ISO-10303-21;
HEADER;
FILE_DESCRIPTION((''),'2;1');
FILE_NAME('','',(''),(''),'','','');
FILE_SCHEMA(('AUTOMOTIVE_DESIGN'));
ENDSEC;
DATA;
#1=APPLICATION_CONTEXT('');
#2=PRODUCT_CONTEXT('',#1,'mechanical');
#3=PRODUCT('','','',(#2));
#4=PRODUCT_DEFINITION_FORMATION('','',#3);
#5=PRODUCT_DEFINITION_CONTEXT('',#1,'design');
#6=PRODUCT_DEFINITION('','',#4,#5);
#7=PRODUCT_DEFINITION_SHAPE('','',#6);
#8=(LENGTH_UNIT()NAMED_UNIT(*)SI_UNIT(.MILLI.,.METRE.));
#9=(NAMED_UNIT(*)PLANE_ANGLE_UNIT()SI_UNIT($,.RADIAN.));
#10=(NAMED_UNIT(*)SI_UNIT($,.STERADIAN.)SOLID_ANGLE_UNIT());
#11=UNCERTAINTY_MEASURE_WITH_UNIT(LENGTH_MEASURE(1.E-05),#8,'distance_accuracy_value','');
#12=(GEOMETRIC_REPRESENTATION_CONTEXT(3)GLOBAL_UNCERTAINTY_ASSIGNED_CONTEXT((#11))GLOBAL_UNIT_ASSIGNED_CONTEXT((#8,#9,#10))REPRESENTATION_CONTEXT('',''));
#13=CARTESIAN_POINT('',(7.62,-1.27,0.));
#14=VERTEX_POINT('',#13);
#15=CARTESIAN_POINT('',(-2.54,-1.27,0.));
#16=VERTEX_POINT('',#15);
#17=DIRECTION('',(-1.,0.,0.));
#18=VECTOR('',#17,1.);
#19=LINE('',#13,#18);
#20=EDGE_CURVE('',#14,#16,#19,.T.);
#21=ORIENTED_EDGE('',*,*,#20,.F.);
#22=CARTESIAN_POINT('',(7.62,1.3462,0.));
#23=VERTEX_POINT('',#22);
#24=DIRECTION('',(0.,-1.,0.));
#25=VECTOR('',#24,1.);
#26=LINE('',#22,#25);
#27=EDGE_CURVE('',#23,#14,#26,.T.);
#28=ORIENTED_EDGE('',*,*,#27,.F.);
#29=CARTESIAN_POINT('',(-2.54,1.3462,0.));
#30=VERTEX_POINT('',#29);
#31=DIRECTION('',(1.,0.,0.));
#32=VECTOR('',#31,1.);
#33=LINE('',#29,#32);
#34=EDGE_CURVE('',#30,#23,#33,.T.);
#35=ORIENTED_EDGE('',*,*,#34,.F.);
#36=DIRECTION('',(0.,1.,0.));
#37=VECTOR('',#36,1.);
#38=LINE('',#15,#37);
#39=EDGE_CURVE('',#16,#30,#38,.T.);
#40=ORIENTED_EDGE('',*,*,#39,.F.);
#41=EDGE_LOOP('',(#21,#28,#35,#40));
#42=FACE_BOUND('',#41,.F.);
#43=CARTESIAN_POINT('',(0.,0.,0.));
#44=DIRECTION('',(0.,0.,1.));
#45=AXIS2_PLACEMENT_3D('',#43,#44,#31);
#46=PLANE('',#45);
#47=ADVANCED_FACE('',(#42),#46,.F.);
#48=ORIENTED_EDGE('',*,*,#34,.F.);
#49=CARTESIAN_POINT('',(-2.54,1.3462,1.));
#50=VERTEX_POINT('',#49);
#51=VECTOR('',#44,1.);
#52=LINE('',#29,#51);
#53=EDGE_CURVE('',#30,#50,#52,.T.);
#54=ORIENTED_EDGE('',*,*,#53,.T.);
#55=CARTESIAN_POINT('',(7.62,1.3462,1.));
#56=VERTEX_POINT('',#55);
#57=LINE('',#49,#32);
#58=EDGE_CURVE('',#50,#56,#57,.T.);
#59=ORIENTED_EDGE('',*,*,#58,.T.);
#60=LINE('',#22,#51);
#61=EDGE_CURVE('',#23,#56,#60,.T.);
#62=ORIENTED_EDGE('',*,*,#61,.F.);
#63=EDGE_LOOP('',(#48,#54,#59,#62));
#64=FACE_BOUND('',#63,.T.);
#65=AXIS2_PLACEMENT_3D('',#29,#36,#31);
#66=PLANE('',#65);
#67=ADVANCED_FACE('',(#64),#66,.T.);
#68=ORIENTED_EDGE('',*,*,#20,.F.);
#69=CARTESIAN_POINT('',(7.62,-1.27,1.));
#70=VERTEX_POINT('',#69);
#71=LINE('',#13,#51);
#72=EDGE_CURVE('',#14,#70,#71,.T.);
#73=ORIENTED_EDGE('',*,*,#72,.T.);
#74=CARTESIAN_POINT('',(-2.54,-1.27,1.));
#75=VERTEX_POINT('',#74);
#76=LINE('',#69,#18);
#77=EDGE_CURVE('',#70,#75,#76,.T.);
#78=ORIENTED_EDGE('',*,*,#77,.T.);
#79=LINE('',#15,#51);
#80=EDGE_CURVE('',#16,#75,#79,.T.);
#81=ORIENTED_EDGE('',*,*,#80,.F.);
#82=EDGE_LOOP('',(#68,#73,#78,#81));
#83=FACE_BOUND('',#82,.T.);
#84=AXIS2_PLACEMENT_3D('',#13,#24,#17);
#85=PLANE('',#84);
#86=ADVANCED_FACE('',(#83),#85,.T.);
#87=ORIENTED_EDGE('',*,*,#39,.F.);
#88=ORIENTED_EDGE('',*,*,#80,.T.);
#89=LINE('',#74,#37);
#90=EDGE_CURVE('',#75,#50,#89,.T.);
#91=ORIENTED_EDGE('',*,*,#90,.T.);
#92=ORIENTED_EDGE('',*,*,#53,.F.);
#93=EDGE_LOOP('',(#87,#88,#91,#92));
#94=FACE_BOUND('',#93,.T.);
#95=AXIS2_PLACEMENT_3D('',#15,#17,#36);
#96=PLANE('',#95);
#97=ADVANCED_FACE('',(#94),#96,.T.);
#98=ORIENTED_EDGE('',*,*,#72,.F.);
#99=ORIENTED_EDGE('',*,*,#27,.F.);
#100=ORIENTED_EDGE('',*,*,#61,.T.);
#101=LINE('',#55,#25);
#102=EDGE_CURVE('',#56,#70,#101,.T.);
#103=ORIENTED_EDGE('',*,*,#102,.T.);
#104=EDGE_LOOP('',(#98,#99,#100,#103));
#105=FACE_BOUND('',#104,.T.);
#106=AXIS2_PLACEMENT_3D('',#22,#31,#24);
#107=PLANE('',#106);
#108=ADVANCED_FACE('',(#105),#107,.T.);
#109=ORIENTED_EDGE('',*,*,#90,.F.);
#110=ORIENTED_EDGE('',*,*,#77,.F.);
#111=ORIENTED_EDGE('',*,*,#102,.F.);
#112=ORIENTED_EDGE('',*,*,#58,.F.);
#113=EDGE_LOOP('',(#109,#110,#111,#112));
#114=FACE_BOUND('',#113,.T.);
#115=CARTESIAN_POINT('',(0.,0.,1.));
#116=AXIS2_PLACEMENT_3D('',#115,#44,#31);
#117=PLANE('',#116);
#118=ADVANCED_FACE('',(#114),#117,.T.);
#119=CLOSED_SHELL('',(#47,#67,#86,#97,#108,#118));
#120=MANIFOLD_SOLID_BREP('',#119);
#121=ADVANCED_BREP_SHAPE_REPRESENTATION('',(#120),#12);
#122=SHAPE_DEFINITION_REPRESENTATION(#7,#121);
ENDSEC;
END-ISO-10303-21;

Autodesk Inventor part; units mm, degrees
ref_plane "YZ Plane" through (0, 0, 0) normal (1, 0, 0) x (0, 1, 0)
ref_plane "XZ Plane" through (0, 0, 0) normal (0, 1, 0) x (-1, 0, 0)
ref_plane "XY Plane" through (0, 0, 0) normal (0, 0, 1) x (1, 0, 0)
sketch "1X04SMD, JP2_1X04SMD_29" plane through (0, 0, 0) normal (0, 0, 1) x (1, 0, 0)
  line L0 (-2.54, 1.3462) -> (7.62, 1.3462)
  line L1 (7.62, 1.3462) -> (7.62, -1.27)
  line L2 (7.62, -1.27) -> (-2.54, -1.27)
  line L3 (-2.54, -1.27) -> (-2.54, 1.3462)
extrude "Extrusion1" add sketch "1X04SMD, JP2_1X04SMD_29" along normal blind 1
properties part number "JP2_1X04SMD"
